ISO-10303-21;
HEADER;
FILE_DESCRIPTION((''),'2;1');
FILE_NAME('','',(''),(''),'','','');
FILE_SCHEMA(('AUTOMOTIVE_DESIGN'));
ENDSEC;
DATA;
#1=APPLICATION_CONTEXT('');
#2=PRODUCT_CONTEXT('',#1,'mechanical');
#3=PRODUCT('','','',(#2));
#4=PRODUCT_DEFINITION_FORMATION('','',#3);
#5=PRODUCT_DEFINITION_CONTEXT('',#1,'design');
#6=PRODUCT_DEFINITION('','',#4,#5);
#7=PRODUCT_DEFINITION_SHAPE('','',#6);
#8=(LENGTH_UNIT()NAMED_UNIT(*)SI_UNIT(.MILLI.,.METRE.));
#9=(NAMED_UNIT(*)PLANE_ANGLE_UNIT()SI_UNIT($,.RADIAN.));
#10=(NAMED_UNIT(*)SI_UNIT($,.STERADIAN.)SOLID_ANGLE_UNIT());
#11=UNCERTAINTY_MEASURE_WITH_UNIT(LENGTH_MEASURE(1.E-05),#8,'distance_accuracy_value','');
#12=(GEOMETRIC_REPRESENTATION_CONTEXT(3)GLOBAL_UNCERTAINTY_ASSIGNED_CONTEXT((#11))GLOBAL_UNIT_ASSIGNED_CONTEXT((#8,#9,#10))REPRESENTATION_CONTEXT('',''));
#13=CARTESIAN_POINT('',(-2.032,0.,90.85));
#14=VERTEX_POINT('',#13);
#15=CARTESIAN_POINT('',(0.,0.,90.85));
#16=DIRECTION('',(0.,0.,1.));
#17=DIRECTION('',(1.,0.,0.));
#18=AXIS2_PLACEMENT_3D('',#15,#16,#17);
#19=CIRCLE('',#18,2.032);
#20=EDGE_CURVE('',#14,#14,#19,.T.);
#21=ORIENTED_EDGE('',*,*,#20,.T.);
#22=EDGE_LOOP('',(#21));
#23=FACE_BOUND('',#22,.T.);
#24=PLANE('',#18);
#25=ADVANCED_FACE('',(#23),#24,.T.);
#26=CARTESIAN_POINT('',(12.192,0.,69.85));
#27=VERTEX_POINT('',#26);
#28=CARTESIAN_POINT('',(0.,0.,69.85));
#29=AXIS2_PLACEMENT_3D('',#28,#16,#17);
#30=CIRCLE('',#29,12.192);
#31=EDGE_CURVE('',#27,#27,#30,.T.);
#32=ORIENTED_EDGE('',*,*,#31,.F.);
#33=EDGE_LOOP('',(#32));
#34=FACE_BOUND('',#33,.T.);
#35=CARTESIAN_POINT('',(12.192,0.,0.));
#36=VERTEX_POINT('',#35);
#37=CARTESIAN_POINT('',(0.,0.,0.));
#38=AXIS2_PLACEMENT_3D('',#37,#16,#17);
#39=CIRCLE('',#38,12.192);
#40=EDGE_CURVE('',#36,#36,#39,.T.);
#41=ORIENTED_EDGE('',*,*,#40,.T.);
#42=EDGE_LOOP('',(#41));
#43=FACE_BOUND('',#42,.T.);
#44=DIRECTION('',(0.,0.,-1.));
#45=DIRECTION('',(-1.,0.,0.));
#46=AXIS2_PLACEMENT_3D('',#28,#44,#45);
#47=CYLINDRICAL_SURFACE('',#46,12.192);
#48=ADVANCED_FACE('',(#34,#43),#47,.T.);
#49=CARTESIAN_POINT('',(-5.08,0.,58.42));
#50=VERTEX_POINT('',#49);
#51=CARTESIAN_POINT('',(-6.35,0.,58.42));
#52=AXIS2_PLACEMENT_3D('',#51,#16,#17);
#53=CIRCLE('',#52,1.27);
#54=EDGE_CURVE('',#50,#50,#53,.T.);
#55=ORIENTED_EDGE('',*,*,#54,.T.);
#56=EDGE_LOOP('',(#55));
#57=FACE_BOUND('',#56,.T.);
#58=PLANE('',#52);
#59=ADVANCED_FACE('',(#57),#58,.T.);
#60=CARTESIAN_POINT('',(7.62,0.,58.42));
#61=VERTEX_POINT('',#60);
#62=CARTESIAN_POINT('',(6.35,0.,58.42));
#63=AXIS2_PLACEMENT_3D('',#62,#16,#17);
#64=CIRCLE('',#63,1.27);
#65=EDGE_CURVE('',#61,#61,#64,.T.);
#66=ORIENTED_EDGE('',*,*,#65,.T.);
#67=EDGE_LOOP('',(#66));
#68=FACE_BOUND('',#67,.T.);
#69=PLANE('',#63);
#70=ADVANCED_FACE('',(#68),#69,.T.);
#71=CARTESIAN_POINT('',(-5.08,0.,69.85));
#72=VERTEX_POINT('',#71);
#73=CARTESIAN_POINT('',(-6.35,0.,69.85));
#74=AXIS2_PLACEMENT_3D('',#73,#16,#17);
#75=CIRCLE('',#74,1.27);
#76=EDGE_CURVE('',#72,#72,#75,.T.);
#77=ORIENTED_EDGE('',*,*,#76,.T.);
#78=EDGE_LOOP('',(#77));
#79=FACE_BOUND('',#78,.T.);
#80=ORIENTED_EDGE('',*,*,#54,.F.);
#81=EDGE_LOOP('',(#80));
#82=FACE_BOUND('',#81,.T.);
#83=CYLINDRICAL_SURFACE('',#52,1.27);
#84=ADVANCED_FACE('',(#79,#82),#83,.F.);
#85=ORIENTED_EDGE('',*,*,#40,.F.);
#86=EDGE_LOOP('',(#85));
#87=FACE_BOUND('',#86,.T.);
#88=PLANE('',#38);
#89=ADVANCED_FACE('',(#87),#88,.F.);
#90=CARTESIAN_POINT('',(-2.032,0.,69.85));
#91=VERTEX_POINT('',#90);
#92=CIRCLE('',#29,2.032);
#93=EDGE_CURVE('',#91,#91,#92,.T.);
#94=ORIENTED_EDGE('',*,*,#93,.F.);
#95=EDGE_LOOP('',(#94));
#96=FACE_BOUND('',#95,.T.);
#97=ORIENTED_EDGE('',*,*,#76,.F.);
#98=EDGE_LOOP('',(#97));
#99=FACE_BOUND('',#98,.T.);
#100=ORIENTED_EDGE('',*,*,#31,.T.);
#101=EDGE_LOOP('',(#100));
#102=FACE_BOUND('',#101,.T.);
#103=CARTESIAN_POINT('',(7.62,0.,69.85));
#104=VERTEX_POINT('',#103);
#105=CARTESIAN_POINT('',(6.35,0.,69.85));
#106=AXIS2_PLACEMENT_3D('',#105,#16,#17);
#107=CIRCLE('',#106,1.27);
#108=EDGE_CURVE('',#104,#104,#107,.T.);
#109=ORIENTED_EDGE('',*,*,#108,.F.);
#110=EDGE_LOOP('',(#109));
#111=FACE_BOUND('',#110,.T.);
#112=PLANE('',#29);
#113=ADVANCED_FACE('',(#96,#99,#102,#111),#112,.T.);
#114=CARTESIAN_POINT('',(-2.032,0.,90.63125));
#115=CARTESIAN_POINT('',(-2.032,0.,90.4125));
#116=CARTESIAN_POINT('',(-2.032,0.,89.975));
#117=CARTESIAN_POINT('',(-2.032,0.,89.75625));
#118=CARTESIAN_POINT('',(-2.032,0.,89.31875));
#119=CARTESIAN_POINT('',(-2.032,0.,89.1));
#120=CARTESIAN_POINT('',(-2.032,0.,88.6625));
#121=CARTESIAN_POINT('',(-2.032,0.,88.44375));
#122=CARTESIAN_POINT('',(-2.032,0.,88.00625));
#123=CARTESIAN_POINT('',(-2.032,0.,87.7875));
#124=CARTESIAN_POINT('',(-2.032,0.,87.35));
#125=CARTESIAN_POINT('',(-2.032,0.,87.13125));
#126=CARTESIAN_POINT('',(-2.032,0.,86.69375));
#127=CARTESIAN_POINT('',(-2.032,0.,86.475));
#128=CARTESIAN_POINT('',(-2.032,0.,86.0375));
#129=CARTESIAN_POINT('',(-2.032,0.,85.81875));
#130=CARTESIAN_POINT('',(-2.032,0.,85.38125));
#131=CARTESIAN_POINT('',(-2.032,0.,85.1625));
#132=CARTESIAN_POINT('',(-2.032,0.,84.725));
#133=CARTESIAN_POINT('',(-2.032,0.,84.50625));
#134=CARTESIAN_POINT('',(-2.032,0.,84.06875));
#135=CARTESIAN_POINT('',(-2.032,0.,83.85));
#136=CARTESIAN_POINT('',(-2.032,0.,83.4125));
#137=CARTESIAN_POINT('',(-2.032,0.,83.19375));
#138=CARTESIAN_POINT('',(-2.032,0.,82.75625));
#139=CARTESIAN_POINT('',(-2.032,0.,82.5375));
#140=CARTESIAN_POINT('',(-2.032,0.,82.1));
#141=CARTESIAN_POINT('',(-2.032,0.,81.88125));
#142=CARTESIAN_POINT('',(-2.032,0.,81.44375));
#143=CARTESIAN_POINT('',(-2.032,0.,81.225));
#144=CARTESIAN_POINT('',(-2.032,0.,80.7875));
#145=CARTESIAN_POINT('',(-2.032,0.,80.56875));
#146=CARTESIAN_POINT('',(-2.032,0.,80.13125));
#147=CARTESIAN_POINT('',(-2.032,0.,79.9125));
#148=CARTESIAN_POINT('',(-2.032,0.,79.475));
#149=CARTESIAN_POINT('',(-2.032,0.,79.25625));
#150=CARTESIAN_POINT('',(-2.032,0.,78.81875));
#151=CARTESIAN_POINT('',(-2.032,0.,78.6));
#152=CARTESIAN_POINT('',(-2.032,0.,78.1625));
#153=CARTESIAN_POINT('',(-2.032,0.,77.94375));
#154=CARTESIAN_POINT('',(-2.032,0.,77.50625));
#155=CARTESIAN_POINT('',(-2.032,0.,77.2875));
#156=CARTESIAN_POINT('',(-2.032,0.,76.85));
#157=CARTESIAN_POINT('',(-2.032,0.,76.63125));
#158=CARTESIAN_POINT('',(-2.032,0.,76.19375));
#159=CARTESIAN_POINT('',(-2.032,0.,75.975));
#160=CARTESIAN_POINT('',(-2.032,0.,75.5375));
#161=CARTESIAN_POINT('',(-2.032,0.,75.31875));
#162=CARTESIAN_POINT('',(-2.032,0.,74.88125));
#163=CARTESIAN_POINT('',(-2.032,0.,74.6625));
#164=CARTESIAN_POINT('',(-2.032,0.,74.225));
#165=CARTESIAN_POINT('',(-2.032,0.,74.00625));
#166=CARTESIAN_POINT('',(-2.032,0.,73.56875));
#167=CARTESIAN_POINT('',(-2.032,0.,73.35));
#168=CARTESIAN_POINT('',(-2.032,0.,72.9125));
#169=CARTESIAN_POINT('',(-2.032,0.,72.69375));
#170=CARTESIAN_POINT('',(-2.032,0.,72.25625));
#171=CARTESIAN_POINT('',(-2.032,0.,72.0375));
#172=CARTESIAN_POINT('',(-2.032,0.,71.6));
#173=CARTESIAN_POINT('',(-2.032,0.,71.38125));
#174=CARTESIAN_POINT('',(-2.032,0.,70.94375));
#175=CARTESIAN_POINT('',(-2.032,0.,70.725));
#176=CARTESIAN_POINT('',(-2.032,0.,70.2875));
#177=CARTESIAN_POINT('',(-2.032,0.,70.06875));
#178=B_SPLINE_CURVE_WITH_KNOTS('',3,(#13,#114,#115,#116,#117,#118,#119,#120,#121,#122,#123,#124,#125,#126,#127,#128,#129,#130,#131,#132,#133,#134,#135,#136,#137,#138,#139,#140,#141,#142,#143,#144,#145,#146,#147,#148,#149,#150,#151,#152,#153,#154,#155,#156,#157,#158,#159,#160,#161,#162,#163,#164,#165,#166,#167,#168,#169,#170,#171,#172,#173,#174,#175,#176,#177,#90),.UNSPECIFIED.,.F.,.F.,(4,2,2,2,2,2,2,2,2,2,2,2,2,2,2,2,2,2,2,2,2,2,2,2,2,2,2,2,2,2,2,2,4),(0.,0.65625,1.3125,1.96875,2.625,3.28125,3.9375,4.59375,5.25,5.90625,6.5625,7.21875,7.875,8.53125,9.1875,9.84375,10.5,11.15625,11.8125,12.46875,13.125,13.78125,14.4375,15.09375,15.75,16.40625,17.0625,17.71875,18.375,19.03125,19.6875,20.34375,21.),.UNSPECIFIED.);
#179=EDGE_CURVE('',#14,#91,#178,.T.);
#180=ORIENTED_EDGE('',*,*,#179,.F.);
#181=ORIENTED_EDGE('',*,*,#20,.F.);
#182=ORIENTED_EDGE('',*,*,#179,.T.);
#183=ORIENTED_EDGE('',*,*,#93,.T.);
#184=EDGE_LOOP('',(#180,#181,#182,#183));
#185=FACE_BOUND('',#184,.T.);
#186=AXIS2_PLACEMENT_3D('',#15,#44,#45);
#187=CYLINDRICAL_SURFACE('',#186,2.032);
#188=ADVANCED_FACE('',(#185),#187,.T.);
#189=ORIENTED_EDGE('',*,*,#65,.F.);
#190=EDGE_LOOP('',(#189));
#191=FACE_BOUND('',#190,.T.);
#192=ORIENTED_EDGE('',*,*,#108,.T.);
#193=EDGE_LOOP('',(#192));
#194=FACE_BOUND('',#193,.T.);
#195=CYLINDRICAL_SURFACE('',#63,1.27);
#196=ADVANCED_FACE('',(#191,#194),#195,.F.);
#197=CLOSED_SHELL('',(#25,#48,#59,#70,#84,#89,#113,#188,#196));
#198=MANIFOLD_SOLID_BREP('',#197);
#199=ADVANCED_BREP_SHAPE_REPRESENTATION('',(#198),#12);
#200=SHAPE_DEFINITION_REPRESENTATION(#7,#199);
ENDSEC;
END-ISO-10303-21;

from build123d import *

# Parameters (mm, degrees)
SKETCH1_R           = 12.192
BOSS_EXTRUDE1_DEPTH = 69.85
SKETCH2_R           = 2.032
BOSS_EXTRUDE2_DEPTH = 21
SKETCH3_R           = 1.27
CUT_EXTRUDE1_DEPTH  = 11.43


with BuildPart() as part:
    # Sketch1 → Boss-Extrude1 (new body)
    with BuildSketch(Plane.XY):
        Circle(SKETCH1_R)
    extrude(amount=BOSS_EXTRUDE1_DEPTH)

    # Sketch2 → Boss-Extrude2 (add)
    with BuildSketch(Plane.XY.offset(69.85)):
        with Locations(Location((0, 0, 0), (0, 0, 180))):
            Circle(SKETCH2_R)
    extrude(amount=BOSS_EXTRUDE2_DEPTH)

    # Sketch3 → Cut-Extrude1 (cut)
    with BuildSketch(Plane.XY.offset(69.85)):
        with Locations((6.35, 0)):
            Circle(SKETCH3_R)
        with Locations((-6.35, 0)):
            Circle(SKETCH3_R)
    extrude(amount=-CUT_EXTRUDE1_DEPTH, mode=Mode.SUBTRACT)


solid = part.part
